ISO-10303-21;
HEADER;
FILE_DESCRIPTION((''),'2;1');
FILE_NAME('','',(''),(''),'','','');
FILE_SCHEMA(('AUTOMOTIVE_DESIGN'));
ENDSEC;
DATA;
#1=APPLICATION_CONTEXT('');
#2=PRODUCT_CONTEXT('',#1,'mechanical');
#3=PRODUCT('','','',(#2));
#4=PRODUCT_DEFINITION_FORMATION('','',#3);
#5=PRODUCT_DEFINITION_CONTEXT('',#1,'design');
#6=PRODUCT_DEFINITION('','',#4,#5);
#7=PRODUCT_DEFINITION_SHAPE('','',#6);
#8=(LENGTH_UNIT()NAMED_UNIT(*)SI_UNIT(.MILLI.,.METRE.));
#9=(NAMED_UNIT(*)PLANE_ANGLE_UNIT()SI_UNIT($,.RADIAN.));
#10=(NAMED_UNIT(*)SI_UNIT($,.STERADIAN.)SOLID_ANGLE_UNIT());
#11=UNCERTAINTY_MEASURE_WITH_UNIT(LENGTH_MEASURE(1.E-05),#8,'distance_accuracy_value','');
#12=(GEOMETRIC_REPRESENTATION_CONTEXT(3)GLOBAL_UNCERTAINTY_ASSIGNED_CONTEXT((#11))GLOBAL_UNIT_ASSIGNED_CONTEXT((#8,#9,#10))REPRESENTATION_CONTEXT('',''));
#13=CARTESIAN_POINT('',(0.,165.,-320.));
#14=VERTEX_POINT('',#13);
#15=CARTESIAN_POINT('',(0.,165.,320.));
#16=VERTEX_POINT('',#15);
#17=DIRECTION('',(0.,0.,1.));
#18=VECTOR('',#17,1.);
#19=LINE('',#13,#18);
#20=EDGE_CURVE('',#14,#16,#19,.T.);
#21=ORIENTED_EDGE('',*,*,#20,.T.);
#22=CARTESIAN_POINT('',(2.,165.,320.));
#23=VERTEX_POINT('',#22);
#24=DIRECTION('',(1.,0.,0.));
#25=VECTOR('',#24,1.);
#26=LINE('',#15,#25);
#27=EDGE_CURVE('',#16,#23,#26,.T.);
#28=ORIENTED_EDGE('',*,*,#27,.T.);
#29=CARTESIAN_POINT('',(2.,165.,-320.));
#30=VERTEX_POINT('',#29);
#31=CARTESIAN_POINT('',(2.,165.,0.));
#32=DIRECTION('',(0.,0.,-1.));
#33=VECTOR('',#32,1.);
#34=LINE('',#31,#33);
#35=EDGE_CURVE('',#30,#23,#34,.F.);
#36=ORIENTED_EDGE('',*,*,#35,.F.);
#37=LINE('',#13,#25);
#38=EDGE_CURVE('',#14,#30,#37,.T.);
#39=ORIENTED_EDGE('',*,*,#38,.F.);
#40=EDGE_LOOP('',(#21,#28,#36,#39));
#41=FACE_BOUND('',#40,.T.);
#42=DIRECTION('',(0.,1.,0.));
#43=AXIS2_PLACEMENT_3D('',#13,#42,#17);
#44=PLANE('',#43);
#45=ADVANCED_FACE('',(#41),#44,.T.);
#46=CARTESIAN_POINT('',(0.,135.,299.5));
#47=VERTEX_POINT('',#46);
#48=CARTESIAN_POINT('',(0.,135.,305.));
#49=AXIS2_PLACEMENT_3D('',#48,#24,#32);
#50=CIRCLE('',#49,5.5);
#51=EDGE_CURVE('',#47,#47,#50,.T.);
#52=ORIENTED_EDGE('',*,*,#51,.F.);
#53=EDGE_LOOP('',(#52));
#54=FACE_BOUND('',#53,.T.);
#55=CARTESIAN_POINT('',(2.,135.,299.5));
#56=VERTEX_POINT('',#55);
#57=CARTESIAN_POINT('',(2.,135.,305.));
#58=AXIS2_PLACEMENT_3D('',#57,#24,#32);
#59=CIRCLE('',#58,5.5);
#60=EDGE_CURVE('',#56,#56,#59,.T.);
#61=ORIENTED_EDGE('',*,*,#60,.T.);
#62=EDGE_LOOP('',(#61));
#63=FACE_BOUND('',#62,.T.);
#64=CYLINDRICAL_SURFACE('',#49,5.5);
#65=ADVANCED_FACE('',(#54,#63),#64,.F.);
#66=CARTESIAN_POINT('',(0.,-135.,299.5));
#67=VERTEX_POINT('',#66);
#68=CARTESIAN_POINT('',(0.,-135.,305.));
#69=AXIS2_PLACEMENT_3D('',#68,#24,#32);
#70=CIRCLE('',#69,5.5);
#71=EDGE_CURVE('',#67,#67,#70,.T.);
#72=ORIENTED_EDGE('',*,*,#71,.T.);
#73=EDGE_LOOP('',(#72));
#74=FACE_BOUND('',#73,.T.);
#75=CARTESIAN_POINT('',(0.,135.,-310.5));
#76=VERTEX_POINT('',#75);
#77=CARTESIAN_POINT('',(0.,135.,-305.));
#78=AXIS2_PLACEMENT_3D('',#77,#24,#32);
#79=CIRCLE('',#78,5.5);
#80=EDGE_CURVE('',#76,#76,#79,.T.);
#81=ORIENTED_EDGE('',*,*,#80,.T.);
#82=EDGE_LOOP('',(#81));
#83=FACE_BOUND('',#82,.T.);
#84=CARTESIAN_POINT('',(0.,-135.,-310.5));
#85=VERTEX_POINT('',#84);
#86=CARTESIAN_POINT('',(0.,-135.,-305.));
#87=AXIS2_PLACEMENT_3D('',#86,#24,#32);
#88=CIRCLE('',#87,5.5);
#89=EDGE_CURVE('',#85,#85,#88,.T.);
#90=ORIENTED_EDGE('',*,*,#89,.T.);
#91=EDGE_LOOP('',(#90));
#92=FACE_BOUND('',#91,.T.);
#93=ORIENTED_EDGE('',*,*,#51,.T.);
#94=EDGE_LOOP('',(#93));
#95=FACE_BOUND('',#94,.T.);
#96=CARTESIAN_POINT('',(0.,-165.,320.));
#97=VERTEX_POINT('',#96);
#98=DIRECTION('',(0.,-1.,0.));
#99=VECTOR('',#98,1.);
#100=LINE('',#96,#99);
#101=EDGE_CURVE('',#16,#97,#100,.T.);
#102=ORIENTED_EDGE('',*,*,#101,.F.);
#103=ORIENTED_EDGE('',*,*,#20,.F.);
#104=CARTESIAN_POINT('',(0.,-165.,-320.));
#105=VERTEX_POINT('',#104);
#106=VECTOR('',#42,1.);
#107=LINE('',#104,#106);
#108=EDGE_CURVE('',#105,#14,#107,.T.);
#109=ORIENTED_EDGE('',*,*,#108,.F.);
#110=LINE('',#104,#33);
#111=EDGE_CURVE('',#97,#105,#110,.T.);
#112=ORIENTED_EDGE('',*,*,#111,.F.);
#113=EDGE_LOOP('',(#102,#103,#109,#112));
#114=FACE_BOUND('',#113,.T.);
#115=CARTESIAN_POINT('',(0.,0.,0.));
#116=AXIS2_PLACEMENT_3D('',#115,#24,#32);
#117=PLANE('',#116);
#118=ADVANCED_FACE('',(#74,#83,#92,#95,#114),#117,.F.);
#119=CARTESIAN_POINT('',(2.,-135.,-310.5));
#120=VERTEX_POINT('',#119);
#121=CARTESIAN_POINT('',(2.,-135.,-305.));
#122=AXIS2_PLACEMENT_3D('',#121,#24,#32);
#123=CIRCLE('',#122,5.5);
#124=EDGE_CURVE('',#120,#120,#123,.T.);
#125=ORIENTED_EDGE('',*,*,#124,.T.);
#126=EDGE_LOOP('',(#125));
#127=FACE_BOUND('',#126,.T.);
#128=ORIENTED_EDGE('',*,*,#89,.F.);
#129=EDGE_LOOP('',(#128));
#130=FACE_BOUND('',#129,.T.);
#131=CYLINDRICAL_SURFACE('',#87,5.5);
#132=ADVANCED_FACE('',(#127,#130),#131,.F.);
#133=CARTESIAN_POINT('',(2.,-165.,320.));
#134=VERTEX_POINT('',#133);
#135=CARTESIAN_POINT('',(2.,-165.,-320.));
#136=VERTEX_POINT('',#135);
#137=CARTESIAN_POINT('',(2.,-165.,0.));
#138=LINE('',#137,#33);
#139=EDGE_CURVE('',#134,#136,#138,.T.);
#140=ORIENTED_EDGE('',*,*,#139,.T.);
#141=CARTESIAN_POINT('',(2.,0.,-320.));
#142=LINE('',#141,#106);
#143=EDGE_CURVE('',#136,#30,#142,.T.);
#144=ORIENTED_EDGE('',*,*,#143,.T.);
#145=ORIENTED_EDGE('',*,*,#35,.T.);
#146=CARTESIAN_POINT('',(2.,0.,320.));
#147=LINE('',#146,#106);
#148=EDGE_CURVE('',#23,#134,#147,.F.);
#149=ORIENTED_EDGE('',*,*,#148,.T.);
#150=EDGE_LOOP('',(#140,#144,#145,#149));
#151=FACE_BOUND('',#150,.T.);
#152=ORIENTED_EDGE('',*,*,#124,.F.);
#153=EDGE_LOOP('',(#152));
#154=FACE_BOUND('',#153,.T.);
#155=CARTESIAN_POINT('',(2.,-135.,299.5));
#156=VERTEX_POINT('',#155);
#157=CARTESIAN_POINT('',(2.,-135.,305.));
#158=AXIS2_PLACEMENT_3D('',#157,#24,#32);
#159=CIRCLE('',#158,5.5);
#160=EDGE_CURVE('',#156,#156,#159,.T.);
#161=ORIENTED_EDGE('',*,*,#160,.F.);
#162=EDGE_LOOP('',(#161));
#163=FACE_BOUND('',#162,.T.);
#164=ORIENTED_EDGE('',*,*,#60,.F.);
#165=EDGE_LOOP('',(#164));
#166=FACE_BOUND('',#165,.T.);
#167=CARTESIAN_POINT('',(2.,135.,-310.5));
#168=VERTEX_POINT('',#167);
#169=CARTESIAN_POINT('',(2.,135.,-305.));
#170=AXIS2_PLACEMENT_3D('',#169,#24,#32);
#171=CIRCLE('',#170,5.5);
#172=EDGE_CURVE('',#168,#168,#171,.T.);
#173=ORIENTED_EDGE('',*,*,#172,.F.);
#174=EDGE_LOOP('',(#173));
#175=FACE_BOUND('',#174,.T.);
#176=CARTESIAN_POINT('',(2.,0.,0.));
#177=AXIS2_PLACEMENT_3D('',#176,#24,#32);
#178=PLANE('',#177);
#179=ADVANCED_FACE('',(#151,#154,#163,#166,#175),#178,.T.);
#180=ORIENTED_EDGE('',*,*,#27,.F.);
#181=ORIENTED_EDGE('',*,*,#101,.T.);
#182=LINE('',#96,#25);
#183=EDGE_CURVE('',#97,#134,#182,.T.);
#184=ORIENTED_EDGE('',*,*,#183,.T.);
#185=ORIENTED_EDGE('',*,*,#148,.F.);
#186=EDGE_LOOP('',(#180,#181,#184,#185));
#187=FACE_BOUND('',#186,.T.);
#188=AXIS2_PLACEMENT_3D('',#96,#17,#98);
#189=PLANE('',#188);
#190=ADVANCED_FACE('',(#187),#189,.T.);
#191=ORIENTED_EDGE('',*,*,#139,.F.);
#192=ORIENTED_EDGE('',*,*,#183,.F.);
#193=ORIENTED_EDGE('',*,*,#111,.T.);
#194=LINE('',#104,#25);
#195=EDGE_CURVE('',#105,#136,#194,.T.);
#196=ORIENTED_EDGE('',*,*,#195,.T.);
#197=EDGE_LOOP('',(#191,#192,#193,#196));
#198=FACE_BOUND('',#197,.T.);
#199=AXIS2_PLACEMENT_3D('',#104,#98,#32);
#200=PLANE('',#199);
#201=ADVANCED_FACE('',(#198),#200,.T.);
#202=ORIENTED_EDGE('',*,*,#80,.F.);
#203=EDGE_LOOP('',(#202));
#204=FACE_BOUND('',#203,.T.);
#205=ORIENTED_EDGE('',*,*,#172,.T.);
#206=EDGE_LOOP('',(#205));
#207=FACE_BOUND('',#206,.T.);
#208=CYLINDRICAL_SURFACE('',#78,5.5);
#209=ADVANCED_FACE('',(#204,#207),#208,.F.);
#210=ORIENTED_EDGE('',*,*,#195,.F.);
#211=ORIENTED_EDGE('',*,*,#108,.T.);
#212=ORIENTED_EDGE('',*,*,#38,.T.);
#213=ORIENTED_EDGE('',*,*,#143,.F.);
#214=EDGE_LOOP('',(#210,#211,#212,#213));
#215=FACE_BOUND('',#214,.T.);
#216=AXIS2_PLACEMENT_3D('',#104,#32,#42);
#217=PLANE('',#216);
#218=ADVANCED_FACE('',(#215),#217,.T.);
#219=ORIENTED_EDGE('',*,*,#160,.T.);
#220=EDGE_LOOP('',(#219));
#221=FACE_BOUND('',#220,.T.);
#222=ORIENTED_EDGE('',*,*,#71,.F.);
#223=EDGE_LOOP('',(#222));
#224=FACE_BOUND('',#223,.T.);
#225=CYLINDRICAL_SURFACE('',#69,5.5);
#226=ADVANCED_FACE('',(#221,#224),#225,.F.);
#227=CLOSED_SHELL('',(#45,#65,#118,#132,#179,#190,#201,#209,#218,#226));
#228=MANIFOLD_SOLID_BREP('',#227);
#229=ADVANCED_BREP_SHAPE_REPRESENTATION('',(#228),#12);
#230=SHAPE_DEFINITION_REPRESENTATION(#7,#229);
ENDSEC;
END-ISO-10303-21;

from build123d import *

# Parameters (mm, degrees)
SKETCH1_W   = 640
SKETCH1_H   = 330
SKETCH1_R   = 5.5
THICKEN1_T1 = 2


with BuildPart() as body_1:
    # Sketch1 → Surface-Plane1: a flat surface bounded by the sketch
    with BuildSketch(Plane(origin=(0, 0, 0), x_dir=(0, 0, -1), z_dir=(1, 0, 0)), mode=Mode.PRIVATE) as surface_plane1_1_region:
        Rectangle(SKETCH1_W, SKETCH1_H)
        with Locations((-305, 135)):
            Circle(SKETCH1_R, mode=Mode.SUBTRACT)
        with Locations((305, 135)):
            Circle(SKETCH1_R, mode=Mode.SUBTRACT)
        with Locations((305, -135)):
            Circle(SKETCH1_R, mode=Mode.SUBTRACT)
        with Locations((-305, -135)):
            Circle(SKETCH1_R, mode=Mode.SUBTRACT)
    surface_plane1_1 = surface_plane1_1_region.sketch.faces()[0]
    add(Solid.thicken(surface_plane1_1, THICKEN1_T1))


solid = body_1.part
